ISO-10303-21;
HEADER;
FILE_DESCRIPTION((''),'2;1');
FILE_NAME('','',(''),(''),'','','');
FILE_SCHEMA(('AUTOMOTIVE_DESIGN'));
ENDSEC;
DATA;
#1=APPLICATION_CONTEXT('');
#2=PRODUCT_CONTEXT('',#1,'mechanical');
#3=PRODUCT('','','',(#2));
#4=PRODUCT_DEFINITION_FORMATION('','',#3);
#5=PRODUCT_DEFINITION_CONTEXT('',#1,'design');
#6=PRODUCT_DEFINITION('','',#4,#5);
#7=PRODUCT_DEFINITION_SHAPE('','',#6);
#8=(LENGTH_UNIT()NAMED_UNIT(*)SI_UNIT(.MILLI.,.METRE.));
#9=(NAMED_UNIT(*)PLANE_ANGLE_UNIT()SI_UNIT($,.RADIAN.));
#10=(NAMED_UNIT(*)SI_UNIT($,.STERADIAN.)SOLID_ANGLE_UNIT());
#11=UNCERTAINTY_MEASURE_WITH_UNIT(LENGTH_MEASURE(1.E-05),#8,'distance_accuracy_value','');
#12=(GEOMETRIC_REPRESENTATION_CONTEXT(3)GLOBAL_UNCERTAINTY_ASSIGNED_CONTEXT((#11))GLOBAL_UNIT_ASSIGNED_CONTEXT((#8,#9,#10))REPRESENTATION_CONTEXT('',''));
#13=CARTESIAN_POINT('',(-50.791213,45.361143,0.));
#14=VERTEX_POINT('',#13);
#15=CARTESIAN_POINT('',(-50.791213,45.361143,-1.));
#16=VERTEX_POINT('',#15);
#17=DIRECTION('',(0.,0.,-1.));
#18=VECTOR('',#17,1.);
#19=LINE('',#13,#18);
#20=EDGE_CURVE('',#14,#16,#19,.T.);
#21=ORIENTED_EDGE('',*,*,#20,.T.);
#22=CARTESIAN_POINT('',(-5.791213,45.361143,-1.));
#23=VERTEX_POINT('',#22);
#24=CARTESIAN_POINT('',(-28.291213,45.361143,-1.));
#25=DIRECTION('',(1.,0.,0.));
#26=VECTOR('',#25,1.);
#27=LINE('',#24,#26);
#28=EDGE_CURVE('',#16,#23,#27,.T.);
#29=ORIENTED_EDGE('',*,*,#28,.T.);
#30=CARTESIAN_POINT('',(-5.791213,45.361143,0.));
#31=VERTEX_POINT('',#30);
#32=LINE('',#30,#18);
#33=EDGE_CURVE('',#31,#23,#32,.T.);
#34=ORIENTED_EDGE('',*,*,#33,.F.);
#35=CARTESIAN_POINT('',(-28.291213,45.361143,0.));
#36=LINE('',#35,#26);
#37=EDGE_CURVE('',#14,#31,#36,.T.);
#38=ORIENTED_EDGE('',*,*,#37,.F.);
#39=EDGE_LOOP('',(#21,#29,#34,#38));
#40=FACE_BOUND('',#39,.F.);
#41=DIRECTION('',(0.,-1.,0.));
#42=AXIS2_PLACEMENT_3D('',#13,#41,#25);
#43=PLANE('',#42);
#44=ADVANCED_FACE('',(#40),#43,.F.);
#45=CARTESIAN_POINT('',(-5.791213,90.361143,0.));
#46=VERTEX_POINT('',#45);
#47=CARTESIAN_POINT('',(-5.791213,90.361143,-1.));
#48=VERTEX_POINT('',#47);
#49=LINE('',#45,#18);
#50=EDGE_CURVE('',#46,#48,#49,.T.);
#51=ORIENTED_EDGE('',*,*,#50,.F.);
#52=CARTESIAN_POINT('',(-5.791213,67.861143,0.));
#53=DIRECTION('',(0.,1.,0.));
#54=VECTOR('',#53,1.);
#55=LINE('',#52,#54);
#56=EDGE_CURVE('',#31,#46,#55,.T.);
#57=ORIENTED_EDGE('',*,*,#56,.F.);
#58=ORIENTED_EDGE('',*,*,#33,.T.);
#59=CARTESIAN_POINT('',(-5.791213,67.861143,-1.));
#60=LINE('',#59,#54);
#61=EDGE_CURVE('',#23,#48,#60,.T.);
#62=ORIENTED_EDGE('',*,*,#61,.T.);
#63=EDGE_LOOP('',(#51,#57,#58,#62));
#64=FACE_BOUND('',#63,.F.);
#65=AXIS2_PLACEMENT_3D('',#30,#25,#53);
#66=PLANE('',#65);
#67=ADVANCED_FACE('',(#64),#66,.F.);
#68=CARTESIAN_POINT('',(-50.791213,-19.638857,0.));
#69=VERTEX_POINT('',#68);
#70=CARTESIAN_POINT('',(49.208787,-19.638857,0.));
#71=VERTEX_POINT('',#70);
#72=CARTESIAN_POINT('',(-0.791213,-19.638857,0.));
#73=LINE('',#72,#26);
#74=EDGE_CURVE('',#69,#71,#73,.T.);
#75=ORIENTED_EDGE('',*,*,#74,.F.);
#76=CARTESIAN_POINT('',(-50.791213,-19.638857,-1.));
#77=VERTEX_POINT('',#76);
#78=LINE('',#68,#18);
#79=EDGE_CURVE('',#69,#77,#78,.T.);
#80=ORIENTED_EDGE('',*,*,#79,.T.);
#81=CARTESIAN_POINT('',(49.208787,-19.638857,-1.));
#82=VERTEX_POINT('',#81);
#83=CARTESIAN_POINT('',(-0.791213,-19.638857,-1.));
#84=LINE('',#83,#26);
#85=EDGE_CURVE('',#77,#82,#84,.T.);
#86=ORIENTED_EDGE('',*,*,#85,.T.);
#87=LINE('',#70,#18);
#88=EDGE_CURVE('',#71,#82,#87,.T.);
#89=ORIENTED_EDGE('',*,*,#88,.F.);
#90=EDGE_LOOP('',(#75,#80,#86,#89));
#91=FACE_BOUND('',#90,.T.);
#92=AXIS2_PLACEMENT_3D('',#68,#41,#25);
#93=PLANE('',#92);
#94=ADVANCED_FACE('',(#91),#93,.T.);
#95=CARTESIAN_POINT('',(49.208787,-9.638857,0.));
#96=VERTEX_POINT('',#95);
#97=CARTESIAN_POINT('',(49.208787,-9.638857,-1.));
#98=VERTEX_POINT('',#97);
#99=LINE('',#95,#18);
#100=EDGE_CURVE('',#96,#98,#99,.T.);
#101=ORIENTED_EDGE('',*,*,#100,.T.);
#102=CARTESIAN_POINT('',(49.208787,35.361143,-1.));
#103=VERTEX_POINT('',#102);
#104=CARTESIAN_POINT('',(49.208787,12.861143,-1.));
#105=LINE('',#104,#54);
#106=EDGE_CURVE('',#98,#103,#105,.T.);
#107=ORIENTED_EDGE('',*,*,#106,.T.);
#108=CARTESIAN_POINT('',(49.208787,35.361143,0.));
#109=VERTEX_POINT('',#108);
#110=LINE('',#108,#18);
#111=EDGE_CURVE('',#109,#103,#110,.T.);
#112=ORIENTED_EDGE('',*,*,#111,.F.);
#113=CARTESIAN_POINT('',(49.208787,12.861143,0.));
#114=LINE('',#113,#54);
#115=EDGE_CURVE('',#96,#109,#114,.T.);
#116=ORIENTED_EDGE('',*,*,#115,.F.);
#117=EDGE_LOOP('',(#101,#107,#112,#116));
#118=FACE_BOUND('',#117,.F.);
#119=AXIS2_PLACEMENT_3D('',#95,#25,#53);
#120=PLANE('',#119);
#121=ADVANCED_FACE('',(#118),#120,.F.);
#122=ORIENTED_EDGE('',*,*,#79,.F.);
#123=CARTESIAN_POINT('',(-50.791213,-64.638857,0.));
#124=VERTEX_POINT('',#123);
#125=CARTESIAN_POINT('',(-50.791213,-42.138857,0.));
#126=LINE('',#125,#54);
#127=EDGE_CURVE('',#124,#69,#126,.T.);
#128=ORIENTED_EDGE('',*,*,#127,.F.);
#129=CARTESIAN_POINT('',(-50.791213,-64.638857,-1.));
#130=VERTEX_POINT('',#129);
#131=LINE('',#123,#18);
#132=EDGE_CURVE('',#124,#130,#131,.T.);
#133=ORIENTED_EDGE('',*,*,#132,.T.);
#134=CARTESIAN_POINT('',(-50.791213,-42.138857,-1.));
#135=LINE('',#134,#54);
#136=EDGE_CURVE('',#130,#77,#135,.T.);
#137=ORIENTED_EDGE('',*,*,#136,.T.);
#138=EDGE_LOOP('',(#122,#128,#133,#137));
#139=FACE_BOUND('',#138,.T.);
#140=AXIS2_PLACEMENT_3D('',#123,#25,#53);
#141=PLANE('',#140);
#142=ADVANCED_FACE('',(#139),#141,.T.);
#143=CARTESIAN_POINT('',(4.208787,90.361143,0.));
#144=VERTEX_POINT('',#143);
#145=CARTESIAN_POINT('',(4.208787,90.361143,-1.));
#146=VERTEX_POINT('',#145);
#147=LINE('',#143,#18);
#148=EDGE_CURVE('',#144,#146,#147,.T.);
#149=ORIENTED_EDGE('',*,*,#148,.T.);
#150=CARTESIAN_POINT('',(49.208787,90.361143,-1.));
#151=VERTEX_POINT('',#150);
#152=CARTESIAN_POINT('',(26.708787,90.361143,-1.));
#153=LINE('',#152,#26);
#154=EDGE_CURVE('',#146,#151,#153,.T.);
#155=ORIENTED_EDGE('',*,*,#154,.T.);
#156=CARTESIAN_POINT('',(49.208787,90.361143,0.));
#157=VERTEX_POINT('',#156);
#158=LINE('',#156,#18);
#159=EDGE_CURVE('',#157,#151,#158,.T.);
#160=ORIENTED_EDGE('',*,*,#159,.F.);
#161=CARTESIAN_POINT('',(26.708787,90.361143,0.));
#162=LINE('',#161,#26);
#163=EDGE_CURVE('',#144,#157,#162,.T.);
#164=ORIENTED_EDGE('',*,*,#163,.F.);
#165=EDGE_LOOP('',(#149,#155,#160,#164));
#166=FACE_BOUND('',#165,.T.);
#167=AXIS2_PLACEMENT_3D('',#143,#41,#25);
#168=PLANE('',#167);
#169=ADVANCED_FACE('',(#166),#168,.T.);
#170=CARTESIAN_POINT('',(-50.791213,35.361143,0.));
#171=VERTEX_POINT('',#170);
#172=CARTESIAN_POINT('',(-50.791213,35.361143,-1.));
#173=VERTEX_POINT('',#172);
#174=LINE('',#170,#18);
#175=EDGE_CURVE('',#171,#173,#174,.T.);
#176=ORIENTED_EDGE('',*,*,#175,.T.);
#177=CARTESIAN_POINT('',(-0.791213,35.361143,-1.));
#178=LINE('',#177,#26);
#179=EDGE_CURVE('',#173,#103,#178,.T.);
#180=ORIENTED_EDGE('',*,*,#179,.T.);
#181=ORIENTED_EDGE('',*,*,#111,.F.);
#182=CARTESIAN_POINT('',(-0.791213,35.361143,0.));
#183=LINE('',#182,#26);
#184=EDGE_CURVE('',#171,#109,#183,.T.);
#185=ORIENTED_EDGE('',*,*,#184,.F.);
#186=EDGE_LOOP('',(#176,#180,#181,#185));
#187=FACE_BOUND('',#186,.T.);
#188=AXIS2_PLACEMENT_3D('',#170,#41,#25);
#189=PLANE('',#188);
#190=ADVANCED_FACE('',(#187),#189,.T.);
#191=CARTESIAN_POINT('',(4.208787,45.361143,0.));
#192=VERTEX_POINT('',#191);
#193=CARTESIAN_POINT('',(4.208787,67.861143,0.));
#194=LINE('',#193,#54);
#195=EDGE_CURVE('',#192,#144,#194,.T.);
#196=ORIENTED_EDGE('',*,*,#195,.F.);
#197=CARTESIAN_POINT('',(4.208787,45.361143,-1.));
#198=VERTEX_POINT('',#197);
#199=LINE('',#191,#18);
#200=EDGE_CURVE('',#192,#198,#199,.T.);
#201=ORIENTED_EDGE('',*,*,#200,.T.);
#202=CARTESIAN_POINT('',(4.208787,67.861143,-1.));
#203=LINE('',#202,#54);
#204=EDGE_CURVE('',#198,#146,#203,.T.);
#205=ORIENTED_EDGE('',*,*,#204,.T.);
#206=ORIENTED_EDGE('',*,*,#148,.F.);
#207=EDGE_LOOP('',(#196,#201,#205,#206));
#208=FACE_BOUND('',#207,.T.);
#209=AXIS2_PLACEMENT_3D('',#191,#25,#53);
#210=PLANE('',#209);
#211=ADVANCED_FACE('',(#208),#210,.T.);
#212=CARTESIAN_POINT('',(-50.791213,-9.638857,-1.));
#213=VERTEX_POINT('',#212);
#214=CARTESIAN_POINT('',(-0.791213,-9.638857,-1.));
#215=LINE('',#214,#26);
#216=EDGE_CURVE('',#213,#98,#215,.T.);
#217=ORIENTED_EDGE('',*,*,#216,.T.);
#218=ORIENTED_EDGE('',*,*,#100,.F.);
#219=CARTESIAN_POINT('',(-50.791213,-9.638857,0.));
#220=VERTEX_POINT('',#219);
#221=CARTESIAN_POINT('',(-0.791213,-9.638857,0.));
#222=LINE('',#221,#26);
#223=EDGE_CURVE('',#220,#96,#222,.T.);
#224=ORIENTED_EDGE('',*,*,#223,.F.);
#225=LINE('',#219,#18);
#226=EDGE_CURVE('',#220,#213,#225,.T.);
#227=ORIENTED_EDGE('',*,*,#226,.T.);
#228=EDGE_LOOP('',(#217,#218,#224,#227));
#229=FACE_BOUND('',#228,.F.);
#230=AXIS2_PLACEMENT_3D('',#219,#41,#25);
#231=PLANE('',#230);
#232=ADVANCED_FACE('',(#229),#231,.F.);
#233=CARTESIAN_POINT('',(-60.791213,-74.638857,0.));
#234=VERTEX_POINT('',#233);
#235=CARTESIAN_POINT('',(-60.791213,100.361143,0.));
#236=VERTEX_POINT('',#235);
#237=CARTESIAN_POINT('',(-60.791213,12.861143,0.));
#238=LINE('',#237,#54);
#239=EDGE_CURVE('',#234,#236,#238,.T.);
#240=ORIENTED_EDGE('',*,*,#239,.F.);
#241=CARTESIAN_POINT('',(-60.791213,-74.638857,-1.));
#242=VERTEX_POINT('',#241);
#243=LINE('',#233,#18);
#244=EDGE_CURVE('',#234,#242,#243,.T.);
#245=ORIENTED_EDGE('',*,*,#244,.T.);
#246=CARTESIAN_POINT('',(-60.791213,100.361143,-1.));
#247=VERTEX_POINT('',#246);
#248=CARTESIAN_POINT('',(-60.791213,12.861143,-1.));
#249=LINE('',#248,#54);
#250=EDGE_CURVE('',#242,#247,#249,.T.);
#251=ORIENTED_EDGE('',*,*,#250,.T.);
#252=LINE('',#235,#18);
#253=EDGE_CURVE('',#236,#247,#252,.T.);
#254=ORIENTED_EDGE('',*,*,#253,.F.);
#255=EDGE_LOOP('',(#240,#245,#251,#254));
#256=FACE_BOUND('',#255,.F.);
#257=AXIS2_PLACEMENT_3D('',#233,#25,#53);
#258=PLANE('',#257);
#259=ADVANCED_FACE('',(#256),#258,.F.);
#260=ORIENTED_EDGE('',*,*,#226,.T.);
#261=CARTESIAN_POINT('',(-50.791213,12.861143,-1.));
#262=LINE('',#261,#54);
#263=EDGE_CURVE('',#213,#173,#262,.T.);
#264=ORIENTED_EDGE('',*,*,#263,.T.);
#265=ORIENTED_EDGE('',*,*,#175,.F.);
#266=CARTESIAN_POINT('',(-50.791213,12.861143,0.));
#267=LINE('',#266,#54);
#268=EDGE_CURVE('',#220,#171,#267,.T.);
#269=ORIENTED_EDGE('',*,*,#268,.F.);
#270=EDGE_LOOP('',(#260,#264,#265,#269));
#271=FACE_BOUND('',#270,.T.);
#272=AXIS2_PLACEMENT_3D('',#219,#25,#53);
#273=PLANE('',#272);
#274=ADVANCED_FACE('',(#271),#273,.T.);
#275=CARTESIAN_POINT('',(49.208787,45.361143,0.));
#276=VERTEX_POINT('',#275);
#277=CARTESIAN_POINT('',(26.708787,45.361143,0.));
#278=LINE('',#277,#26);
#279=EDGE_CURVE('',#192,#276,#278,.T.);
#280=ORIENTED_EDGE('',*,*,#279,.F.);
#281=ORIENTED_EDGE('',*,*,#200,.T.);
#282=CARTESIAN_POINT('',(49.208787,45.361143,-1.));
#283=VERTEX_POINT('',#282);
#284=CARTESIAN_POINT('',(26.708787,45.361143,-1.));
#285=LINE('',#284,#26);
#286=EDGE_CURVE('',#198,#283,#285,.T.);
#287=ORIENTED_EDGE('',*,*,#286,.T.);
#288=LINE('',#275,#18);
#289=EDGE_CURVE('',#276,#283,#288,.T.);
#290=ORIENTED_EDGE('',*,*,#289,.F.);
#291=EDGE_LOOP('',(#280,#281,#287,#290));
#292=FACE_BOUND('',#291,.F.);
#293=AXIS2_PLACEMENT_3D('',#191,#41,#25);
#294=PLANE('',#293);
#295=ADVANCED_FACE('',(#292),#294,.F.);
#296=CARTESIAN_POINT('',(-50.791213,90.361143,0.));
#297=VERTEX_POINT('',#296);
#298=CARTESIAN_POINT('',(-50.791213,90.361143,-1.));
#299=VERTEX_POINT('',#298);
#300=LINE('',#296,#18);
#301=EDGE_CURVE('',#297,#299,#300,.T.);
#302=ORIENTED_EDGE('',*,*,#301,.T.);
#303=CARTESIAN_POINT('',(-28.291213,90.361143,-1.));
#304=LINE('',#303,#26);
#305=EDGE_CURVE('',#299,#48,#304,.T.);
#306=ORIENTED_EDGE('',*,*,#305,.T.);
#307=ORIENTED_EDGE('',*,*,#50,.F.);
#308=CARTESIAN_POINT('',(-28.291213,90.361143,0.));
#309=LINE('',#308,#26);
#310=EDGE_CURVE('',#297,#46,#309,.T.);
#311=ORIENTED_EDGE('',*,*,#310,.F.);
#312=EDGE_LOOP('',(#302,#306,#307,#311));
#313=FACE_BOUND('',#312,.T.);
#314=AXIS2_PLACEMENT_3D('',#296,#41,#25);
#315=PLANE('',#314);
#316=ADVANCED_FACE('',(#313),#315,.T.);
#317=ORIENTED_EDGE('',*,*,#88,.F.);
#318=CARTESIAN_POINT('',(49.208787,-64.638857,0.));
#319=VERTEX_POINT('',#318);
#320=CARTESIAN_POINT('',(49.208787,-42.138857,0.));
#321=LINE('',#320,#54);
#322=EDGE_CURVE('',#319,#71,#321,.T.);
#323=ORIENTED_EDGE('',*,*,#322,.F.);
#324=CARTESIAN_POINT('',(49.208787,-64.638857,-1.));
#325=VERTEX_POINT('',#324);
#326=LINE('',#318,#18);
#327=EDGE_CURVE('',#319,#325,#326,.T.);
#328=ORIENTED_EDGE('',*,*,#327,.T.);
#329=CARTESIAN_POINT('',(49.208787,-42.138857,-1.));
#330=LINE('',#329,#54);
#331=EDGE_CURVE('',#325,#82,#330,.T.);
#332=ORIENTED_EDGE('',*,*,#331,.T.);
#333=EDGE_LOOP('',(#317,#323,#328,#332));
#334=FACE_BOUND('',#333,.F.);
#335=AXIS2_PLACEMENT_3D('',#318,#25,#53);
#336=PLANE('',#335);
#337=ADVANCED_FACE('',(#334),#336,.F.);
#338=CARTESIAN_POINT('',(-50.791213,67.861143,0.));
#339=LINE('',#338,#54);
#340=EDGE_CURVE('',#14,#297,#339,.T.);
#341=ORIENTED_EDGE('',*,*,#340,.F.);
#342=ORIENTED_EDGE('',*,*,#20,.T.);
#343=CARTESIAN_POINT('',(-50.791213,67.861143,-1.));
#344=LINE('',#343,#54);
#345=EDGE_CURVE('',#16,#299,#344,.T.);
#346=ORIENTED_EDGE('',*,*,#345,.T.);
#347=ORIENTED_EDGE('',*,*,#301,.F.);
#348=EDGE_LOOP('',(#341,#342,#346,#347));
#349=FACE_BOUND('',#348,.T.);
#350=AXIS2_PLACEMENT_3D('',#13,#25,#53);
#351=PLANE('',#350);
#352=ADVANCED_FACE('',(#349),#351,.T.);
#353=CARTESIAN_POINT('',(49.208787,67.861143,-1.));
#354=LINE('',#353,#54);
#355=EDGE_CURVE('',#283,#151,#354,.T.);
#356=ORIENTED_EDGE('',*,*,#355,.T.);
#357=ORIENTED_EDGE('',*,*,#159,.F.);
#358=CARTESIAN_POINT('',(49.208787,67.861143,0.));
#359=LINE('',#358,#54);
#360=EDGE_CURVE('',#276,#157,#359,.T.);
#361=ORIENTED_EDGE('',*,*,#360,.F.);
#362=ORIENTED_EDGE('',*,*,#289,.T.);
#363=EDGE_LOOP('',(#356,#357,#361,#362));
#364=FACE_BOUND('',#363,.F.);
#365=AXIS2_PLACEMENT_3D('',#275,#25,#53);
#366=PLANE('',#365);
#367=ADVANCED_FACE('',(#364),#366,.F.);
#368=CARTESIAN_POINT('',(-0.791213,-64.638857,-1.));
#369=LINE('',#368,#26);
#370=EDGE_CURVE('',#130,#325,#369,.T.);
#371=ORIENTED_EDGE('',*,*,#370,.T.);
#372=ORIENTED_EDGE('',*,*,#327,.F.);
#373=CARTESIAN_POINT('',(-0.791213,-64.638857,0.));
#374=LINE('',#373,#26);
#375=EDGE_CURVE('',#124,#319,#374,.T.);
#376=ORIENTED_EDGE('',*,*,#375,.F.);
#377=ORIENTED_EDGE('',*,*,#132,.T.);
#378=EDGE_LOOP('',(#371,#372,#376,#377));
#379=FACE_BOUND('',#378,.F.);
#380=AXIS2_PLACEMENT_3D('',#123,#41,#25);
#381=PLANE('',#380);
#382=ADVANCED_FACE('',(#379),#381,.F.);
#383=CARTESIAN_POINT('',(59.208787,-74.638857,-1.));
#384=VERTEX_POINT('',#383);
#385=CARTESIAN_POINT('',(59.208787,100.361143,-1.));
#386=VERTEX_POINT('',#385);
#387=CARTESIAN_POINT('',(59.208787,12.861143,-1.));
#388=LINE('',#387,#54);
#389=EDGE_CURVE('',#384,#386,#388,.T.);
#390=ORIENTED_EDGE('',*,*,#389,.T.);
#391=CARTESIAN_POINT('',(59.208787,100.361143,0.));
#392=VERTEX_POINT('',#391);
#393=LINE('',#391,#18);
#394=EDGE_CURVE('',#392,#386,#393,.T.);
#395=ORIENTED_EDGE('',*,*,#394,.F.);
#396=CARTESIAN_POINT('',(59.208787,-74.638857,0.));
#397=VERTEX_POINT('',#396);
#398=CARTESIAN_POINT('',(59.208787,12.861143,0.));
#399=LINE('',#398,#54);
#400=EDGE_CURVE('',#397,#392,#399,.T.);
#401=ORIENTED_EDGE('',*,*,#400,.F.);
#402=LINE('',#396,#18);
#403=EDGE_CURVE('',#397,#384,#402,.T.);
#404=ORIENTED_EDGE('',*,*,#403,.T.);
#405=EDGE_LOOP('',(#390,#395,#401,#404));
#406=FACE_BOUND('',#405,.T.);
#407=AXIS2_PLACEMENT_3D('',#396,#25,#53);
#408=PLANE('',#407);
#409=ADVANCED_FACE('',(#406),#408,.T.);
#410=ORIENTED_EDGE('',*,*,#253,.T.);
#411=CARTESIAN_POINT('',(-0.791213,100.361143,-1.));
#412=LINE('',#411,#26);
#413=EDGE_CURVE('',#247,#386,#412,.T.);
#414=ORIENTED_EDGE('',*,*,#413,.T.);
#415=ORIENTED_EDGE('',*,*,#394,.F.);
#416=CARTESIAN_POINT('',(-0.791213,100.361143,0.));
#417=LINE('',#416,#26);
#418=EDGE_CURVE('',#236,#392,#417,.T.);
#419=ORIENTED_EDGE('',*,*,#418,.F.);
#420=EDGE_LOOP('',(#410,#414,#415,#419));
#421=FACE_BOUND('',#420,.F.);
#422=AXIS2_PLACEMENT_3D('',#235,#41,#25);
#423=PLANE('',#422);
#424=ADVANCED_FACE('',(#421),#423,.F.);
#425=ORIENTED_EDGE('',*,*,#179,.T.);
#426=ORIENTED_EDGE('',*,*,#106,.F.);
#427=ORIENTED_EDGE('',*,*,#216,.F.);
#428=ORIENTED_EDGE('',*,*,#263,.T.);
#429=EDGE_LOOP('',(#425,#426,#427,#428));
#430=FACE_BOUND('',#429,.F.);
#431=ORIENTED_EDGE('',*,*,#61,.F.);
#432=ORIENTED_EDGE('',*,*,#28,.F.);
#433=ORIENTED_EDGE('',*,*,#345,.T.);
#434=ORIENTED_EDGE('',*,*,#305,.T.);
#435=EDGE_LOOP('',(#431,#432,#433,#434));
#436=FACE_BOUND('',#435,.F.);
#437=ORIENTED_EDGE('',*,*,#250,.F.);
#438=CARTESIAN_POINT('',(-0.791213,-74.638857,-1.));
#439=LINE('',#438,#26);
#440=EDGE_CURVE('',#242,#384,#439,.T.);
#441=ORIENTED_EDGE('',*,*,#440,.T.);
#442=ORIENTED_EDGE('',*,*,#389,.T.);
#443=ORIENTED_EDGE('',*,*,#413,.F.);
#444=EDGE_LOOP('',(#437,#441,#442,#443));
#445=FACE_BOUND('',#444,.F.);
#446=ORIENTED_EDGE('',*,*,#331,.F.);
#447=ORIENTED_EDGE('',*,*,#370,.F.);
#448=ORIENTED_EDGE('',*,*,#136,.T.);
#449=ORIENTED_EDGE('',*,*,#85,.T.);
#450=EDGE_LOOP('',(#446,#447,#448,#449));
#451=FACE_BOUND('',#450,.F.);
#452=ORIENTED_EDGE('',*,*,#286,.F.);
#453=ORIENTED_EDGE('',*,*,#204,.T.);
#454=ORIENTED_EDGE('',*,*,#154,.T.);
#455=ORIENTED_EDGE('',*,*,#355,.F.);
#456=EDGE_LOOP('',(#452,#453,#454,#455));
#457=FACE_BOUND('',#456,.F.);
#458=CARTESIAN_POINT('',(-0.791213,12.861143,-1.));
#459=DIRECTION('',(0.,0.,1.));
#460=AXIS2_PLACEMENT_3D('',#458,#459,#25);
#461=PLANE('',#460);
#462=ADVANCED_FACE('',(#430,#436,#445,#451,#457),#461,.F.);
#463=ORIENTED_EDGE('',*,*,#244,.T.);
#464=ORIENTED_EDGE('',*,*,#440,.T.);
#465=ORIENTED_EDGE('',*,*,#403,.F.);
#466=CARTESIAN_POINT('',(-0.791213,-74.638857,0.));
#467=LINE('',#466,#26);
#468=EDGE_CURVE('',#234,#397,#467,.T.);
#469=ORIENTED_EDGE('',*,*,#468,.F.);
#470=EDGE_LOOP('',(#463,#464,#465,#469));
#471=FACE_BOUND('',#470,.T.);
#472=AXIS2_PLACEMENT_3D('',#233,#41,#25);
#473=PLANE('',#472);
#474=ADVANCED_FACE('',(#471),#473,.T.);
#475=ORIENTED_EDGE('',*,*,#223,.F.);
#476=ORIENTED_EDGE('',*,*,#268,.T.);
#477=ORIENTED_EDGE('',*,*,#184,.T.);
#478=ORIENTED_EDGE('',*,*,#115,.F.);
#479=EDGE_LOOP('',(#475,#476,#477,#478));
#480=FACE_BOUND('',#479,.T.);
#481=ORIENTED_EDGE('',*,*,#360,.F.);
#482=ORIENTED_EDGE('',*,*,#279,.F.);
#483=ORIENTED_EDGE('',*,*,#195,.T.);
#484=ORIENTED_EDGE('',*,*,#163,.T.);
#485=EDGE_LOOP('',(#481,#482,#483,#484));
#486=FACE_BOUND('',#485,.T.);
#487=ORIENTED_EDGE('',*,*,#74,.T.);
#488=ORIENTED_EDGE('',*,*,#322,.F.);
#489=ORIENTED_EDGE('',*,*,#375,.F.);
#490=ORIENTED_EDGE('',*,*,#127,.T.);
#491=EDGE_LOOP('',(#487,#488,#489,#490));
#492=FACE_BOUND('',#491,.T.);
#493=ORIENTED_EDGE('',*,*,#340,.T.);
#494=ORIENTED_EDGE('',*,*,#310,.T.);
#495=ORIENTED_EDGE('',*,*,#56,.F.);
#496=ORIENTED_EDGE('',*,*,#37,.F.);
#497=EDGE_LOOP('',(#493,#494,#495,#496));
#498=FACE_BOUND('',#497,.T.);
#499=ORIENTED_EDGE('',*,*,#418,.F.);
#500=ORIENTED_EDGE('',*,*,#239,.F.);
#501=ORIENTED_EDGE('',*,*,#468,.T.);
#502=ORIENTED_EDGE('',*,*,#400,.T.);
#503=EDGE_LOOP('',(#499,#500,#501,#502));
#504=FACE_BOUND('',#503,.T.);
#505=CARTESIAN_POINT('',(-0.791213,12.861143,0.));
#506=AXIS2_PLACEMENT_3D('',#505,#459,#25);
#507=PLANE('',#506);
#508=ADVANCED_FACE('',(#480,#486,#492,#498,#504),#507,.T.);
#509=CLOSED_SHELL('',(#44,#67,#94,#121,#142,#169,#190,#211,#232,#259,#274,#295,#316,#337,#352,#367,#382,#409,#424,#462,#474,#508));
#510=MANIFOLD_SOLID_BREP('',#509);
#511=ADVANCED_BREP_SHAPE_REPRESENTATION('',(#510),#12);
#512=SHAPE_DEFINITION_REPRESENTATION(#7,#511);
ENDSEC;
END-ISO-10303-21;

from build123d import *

# Parameters (mm, degrees)
F0_W     = 120
F0_H     = 175
F0_W_2   = 100
F0_H_2   = 45
F0_W_3   = 45
F1_DEPTH = 1


with BuildPart() as f1:
    # F0 (on Top) → F1 (new body)
    with BuildSketch(Plane.XY):
        with Locations((-0.791213, 12.861143)):
            Rectangle(F0_W, F0_H)
        with Locations((-0.791213, -42.138857)):
            Rectangle(F0_W_2, F0_H_2, mode=Mode.SUBTRACT)
        with Locations((-0.791213, 12.861143)):
            Rectangle(F0_W_2, F0_H_2, mode=Mode.SUBTRACT)
        with Locations((-28.291213, 67.861143)):
            Rectangle(F0_W_3, F0_H_2, mode=Mode.SUBTRACT)
        with Locations((26.708787, 67.861143)):
            Rectangle(F0_W_3, F0_H_2, mode=Mode.SUBTRACT)
    extrude(amount=-F1_DEPTH)


solid = f1.part
